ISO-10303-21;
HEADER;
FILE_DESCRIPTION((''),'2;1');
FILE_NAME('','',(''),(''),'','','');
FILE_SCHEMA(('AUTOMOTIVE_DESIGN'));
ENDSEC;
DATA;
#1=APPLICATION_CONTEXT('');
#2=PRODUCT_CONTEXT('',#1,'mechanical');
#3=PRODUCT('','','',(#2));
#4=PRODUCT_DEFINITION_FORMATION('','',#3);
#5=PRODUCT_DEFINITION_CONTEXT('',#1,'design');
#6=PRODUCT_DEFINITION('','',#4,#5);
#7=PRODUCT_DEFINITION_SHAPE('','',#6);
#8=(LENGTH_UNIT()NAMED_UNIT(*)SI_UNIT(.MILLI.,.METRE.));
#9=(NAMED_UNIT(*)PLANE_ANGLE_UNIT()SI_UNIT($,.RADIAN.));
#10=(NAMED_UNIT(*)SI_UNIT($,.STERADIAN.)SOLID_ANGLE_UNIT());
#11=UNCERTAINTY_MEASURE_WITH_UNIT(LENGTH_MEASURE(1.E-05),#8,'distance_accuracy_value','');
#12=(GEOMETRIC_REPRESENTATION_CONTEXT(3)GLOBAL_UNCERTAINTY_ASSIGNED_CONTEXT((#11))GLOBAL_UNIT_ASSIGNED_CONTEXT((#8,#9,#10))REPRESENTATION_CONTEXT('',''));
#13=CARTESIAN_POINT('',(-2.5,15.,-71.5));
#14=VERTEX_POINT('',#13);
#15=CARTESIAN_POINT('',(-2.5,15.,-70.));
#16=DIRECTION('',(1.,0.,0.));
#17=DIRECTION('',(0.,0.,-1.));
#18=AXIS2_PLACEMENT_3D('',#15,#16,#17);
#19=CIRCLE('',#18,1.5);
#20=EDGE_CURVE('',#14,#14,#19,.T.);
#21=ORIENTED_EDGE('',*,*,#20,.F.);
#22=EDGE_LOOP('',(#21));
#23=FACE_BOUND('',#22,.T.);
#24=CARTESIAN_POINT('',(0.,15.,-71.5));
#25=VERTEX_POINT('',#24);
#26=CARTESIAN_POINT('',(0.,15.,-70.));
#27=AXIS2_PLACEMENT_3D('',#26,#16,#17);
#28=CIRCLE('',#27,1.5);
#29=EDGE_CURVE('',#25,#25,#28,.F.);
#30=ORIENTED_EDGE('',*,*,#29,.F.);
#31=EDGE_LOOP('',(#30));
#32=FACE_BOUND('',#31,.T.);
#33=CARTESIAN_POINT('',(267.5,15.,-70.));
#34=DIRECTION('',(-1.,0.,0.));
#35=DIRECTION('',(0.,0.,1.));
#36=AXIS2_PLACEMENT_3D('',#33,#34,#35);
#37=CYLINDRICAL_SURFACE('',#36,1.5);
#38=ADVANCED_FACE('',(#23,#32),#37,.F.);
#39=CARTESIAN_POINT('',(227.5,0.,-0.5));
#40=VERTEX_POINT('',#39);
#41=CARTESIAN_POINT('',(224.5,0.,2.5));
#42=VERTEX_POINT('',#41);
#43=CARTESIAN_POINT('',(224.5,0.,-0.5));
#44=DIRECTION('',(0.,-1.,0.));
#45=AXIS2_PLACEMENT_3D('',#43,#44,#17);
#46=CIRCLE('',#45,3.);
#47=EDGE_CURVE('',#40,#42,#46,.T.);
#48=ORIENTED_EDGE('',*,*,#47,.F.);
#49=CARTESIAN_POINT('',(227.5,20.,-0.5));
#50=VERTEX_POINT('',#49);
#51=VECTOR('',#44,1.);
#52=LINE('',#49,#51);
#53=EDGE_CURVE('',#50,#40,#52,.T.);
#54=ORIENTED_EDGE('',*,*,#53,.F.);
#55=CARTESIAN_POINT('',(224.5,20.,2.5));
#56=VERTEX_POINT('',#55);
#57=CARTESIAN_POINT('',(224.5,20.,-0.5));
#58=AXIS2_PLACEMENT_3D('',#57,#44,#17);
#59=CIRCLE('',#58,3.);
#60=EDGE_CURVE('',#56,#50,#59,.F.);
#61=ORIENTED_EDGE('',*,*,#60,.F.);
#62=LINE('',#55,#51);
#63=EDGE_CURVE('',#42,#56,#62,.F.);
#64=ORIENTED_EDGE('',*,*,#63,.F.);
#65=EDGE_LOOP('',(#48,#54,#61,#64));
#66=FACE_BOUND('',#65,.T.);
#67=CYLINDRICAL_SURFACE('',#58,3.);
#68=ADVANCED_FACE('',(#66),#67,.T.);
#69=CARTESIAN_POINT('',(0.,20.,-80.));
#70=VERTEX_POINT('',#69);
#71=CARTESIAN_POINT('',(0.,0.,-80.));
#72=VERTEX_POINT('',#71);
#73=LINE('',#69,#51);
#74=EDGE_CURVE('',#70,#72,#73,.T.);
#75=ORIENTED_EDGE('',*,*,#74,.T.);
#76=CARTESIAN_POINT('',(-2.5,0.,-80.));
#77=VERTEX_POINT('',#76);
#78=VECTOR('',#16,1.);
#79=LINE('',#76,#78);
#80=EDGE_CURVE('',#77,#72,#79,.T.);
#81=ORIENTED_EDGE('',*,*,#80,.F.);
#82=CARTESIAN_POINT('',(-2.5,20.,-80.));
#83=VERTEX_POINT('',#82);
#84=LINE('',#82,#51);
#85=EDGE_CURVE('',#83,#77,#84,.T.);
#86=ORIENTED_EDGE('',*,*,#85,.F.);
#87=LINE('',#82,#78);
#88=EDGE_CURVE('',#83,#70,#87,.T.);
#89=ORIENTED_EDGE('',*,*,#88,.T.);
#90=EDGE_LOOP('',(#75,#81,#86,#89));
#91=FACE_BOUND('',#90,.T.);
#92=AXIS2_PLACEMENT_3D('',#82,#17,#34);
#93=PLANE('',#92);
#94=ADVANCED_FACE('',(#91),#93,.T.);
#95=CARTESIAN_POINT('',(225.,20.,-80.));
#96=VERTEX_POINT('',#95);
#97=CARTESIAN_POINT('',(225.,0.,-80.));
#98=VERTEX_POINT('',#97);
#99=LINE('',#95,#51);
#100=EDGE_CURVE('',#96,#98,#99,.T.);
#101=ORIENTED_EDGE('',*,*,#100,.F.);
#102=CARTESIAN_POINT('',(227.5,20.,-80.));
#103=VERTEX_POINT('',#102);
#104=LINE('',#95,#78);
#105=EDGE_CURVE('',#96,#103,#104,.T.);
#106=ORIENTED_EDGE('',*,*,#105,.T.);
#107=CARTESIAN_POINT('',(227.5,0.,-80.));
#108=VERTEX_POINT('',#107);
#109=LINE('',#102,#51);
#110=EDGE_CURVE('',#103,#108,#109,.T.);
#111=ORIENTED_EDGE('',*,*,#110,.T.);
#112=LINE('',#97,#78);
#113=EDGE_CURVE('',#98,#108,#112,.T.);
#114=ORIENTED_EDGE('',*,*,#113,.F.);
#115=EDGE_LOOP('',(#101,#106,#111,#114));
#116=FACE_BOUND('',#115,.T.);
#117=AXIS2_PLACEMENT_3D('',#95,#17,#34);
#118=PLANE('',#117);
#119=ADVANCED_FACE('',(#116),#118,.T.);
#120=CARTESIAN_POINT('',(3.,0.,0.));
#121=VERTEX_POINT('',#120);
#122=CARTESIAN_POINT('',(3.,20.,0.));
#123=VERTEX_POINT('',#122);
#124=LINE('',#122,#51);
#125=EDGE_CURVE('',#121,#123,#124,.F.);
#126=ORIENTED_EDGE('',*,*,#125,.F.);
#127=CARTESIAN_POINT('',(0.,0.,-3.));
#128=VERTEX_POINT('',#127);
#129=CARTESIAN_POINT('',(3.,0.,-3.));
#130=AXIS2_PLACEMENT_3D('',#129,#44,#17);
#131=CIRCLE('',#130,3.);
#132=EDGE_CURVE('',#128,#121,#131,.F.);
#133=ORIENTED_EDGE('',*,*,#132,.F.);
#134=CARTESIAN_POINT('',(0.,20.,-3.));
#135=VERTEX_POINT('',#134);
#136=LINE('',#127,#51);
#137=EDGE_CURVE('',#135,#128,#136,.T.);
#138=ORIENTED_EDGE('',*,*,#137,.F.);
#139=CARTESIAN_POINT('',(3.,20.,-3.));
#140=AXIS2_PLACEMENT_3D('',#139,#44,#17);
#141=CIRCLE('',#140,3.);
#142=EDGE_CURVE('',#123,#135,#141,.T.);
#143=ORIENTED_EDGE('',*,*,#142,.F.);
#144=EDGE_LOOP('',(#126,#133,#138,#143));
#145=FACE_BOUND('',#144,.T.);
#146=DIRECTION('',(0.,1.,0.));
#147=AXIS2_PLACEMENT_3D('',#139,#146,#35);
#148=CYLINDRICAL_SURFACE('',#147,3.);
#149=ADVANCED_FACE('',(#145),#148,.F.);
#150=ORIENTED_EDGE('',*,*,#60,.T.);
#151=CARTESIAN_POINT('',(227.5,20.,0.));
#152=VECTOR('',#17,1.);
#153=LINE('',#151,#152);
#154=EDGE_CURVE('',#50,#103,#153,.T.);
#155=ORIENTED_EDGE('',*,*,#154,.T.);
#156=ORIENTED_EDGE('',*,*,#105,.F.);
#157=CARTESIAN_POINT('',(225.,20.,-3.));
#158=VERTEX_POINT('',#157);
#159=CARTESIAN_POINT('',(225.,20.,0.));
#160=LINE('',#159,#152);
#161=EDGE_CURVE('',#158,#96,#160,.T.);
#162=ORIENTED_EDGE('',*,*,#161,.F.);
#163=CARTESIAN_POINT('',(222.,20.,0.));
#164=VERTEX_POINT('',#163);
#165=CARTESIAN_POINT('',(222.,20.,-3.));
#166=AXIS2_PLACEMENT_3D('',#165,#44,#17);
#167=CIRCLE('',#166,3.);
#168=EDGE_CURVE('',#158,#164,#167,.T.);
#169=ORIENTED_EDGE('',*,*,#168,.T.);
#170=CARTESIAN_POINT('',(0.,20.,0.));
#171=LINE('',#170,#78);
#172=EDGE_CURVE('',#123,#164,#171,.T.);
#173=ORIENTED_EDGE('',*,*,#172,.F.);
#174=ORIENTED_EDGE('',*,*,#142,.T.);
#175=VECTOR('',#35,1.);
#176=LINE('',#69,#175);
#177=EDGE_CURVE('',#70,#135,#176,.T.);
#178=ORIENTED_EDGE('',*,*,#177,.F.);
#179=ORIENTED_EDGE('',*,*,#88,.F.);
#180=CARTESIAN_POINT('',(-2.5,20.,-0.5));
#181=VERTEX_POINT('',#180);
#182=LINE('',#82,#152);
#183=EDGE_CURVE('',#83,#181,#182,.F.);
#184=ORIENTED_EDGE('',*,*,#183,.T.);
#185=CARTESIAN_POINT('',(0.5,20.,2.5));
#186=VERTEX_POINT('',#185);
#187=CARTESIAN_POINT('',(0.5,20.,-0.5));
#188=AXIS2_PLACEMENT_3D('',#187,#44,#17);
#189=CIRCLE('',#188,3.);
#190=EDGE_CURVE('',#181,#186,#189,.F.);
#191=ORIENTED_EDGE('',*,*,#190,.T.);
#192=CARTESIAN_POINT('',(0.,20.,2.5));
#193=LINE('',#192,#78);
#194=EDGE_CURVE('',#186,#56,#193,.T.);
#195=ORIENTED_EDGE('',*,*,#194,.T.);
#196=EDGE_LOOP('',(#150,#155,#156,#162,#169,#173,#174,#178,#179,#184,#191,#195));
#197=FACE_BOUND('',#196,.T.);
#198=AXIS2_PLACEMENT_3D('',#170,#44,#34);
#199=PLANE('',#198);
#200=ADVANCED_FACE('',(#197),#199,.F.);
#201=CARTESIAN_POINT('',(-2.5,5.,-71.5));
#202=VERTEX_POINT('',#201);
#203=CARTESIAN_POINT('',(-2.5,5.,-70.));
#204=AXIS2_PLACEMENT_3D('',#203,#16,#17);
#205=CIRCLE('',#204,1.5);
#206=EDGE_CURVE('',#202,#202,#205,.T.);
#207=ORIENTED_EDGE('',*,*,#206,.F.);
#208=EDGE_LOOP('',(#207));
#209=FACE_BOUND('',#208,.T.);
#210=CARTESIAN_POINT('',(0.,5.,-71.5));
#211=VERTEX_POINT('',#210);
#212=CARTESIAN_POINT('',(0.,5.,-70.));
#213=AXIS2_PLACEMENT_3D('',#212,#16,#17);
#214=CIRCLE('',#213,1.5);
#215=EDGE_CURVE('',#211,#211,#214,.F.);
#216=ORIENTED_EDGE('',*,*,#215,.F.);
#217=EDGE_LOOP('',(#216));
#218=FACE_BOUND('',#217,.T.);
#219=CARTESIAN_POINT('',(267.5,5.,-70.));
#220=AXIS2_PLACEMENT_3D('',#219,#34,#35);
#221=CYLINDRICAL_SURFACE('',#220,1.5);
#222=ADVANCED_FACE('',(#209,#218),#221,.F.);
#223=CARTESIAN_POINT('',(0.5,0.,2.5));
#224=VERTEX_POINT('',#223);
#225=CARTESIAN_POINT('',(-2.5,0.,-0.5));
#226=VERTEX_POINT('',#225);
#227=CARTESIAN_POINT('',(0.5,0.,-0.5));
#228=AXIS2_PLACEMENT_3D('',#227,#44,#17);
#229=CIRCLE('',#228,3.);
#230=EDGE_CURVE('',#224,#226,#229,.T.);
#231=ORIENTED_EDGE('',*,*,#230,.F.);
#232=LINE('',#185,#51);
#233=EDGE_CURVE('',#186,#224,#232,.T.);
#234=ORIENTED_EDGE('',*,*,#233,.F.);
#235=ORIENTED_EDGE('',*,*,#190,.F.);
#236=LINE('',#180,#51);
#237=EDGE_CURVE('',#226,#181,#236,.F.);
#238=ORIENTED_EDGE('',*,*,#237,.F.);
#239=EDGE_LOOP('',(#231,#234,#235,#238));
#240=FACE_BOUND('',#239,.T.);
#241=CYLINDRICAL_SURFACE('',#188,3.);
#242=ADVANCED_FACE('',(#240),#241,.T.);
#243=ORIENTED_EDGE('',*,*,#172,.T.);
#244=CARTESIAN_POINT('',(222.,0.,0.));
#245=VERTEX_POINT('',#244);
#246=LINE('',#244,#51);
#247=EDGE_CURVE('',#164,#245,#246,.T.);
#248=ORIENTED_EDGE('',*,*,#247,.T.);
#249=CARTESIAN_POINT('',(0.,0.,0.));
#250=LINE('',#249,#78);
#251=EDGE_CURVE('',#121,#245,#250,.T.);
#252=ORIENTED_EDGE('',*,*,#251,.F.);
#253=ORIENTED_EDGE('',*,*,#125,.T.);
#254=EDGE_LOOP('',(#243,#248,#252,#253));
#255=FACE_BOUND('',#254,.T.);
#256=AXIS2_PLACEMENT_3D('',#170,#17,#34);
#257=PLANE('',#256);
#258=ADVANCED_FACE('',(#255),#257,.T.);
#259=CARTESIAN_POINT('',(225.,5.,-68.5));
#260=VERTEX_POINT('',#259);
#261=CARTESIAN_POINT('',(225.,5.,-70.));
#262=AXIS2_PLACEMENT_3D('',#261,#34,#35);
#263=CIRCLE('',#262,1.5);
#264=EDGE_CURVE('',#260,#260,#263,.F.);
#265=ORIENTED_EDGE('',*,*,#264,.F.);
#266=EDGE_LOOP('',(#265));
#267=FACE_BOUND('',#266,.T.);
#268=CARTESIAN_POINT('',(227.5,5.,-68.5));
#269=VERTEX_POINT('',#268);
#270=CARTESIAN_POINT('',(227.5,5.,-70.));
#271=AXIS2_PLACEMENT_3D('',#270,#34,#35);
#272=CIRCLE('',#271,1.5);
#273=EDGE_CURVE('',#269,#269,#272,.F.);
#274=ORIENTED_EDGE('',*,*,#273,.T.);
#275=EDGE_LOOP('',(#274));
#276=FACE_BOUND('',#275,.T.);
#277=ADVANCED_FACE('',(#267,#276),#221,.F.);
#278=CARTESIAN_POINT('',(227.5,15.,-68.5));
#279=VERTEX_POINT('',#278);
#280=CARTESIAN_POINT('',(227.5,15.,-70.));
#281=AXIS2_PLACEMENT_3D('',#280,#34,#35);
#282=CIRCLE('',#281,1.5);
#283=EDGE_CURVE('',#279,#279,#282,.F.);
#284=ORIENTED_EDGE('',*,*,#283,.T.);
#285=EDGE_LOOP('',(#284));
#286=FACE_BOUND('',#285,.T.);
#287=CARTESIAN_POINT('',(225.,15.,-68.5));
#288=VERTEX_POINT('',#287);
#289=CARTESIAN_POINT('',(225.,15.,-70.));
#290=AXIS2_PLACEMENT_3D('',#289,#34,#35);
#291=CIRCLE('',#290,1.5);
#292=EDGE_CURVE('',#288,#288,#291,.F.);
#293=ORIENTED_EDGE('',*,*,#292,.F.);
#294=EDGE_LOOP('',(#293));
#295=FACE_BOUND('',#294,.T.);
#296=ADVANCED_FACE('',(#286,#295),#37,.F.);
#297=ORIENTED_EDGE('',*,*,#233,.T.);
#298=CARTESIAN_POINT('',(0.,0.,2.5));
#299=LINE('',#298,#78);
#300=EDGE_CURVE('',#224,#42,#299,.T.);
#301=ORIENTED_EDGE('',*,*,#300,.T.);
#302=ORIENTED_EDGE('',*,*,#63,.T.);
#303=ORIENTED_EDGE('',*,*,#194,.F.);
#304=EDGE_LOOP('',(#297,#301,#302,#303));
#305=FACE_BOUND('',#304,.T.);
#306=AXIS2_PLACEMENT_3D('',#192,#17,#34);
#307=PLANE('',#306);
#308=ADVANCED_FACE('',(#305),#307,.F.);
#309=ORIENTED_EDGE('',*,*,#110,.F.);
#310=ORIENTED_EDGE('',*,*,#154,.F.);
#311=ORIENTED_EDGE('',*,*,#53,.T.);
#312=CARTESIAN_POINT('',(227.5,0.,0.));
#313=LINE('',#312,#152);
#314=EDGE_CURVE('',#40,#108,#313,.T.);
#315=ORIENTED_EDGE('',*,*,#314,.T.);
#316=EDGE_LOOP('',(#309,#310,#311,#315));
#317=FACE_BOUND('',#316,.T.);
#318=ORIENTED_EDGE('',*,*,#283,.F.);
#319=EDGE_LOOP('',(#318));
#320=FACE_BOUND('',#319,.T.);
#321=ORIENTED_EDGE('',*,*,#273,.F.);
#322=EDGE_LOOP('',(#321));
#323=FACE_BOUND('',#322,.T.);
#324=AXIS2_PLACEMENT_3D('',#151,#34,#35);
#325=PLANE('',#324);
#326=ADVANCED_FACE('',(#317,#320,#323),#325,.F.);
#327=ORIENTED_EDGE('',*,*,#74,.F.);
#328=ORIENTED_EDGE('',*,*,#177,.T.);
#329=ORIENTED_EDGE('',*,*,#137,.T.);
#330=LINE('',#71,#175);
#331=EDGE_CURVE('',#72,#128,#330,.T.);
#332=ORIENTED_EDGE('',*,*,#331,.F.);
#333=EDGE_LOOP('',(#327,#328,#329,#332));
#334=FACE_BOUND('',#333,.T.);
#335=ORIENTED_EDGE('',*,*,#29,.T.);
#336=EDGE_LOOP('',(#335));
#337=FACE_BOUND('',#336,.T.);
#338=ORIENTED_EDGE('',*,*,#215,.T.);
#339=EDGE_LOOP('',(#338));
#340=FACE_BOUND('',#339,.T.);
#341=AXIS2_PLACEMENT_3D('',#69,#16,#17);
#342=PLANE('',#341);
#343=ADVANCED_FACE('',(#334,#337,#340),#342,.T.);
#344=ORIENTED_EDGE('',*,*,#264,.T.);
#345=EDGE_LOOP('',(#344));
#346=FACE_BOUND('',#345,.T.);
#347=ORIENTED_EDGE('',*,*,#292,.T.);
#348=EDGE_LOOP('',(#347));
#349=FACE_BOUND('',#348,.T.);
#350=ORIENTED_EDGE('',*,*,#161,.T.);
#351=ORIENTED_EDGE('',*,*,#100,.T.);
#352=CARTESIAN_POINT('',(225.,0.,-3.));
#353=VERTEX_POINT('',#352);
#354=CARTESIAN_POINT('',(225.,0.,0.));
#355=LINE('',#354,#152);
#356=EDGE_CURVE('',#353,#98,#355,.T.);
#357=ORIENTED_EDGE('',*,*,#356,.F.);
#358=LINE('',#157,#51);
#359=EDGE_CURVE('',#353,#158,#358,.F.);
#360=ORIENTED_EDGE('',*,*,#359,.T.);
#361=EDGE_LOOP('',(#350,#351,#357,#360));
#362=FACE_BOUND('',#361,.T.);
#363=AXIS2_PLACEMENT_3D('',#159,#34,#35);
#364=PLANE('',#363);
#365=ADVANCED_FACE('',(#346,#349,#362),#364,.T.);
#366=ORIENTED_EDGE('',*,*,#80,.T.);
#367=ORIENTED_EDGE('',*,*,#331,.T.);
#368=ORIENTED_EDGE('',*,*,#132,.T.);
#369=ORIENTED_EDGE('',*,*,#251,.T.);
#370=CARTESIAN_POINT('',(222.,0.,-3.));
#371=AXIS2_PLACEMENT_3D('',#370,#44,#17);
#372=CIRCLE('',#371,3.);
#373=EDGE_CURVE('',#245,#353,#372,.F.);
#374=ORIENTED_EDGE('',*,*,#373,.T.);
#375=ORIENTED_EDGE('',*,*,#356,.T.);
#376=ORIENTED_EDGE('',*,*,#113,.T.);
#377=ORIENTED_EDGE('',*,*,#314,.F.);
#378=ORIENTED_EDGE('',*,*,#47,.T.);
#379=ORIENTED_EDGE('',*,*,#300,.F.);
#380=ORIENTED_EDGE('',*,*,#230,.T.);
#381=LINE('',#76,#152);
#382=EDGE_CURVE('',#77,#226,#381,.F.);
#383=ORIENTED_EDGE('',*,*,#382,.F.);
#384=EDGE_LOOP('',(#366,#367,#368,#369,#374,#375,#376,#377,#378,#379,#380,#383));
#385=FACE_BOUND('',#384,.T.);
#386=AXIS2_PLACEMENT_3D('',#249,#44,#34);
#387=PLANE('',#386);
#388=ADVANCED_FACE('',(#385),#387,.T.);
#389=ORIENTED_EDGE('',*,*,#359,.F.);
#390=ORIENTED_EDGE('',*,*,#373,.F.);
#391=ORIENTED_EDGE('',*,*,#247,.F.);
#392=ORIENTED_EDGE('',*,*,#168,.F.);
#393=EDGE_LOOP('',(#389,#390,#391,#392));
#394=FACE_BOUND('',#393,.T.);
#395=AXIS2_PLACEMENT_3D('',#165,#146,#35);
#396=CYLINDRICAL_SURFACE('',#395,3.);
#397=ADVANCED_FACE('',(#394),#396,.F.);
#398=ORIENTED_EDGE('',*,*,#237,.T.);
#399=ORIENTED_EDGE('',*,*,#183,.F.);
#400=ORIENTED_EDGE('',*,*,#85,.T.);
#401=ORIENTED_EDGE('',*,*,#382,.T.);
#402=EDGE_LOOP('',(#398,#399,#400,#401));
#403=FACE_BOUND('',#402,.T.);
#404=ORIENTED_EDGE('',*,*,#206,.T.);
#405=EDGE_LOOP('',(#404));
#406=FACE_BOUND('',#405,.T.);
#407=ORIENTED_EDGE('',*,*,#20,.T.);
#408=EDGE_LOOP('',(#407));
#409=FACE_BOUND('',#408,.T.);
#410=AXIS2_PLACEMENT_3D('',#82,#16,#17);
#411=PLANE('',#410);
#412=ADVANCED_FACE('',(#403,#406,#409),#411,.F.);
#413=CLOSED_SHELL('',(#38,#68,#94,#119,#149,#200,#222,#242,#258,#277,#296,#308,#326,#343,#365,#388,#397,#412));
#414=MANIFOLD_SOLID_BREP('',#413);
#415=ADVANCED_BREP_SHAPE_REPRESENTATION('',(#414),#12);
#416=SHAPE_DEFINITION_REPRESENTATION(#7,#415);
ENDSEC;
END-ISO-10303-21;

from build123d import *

# Parameters (mm, degrees)
EXTRUDE_THIN1_DEPTH = 20
FILLET1_R           = 3
SKETCH2_R           = 1.5
CUT_EXTRUDE1_DEPTH  = 270


with BuildPart() as part:
    # Sketch1 → Extrude-Thin1 (new body)
    with BuildSketch(Plane(origin=(0, 0, 0), x_dir=(1, 0, 0), z_dir=(0, 1, 0))):
        Polygon((0, 80), (0, 0), (225, 0), (225, 80), (227.5, 80), (227.5, -2.5), (-2.5, -2.5), (-2.5, 80), align=None)
    extrude(amount=EXTRUDE_THIN1_DEPTH)

    # Fillet1
    fillet1_edges = [part.edges().sort_by_distance(p)[0] for p in [
        (227.5, 10, 2.5),
        (-2.5, 10, 2.5),
        (0, 10, 0),
        (225, 10, 0),
    ]]
    fillet(fillet1_edges, radius=FILLET1_R)

    # Sketch2 → Cut-Extrude1 (cut)
    with BuildSketch(Plane(origin=(-2.5, 0, 0), x_dir=(0, 0, -1), z_dir=(1, 0, 0))):
        with Locations((70, 15)):
            Circle(SKETCH2_R)
        with Locations((70, 5)):
            Circle(SKETCH2_R)
    extrude(amount=CUT_EXTRUDE1_DEPTH, mode=Mode.SUBTRACT)


solid = part.part
